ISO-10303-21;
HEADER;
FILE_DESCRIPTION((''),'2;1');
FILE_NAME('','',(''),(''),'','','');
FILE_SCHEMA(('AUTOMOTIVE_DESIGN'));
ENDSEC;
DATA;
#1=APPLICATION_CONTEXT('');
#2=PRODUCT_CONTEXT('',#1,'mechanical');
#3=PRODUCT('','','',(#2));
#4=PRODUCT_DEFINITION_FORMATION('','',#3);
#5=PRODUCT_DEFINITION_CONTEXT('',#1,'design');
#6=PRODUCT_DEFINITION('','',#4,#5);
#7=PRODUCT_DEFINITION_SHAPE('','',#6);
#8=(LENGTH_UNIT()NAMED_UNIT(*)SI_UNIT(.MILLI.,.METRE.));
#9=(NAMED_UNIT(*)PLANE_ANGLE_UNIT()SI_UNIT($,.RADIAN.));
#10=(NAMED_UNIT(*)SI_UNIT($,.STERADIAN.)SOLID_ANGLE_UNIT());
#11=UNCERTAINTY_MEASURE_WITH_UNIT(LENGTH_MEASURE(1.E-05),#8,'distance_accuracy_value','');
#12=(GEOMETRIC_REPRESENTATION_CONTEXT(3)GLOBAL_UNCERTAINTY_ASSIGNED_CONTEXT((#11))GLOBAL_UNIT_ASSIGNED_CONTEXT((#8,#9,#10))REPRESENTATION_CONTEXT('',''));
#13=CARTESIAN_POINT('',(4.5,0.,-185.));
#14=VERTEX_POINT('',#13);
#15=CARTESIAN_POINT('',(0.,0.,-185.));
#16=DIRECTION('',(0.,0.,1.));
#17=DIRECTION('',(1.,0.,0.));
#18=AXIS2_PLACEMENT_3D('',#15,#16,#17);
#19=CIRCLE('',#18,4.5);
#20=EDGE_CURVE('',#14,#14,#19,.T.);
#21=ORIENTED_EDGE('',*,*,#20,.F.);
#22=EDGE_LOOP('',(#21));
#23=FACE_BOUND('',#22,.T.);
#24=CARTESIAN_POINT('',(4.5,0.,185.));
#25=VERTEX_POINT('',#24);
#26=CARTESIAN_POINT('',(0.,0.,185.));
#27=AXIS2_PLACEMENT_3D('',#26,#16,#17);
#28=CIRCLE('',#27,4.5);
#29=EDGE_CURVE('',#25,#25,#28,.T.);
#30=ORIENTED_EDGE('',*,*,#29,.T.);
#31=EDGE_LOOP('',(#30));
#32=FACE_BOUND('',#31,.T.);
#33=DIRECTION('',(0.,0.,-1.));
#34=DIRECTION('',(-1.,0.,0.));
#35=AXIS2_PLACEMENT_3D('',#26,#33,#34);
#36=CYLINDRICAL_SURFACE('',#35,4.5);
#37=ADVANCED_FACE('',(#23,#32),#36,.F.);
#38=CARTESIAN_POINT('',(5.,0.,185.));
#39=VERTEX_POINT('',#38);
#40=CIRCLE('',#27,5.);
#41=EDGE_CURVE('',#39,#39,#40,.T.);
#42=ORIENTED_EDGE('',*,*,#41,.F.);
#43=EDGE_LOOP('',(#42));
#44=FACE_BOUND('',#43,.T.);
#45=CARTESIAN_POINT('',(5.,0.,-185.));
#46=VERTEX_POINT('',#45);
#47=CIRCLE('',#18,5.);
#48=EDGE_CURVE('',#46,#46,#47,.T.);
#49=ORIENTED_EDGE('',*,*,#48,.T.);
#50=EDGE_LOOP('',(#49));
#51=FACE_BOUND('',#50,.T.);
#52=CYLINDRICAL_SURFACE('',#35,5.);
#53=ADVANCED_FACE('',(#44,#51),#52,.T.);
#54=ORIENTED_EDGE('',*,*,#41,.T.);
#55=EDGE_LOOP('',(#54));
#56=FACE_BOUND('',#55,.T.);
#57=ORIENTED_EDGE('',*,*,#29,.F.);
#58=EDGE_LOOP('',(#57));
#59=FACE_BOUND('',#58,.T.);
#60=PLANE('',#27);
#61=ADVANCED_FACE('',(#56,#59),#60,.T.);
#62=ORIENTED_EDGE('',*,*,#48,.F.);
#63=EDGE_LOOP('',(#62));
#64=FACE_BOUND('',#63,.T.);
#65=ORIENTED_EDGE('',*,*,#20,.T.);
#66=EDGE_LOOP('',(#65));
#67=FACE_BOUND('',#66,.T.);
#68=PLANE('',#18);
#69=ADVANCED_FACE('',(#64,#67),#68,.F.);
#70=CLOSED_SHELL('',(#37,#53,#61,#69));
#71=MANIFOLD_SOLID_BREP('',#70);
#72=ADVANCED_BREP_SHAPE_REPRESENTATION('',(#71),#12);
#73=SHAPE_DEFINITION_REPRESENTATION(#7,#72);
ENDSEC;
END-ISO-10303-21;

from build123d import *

# Parameters (mm, degrees)
SKETCH_1_R      = 5
SKETCH_1_R_2    = 4.5
EXTRUDE_1_DEPTH = 185


with BuildPart() as part:
    # Эскиз1 → Бобышка-Вытянуть1 (new body, symmetric)
    with BuildSketch(Plane.XY):
        Circle(SKETCH_1_R)
        Circle(SKETCH_1_R_2, mode=Mode.SUBTRACT)
    extrude(amount=EXTRUDE_1_DEPTH, both=True)


solid = part.part
